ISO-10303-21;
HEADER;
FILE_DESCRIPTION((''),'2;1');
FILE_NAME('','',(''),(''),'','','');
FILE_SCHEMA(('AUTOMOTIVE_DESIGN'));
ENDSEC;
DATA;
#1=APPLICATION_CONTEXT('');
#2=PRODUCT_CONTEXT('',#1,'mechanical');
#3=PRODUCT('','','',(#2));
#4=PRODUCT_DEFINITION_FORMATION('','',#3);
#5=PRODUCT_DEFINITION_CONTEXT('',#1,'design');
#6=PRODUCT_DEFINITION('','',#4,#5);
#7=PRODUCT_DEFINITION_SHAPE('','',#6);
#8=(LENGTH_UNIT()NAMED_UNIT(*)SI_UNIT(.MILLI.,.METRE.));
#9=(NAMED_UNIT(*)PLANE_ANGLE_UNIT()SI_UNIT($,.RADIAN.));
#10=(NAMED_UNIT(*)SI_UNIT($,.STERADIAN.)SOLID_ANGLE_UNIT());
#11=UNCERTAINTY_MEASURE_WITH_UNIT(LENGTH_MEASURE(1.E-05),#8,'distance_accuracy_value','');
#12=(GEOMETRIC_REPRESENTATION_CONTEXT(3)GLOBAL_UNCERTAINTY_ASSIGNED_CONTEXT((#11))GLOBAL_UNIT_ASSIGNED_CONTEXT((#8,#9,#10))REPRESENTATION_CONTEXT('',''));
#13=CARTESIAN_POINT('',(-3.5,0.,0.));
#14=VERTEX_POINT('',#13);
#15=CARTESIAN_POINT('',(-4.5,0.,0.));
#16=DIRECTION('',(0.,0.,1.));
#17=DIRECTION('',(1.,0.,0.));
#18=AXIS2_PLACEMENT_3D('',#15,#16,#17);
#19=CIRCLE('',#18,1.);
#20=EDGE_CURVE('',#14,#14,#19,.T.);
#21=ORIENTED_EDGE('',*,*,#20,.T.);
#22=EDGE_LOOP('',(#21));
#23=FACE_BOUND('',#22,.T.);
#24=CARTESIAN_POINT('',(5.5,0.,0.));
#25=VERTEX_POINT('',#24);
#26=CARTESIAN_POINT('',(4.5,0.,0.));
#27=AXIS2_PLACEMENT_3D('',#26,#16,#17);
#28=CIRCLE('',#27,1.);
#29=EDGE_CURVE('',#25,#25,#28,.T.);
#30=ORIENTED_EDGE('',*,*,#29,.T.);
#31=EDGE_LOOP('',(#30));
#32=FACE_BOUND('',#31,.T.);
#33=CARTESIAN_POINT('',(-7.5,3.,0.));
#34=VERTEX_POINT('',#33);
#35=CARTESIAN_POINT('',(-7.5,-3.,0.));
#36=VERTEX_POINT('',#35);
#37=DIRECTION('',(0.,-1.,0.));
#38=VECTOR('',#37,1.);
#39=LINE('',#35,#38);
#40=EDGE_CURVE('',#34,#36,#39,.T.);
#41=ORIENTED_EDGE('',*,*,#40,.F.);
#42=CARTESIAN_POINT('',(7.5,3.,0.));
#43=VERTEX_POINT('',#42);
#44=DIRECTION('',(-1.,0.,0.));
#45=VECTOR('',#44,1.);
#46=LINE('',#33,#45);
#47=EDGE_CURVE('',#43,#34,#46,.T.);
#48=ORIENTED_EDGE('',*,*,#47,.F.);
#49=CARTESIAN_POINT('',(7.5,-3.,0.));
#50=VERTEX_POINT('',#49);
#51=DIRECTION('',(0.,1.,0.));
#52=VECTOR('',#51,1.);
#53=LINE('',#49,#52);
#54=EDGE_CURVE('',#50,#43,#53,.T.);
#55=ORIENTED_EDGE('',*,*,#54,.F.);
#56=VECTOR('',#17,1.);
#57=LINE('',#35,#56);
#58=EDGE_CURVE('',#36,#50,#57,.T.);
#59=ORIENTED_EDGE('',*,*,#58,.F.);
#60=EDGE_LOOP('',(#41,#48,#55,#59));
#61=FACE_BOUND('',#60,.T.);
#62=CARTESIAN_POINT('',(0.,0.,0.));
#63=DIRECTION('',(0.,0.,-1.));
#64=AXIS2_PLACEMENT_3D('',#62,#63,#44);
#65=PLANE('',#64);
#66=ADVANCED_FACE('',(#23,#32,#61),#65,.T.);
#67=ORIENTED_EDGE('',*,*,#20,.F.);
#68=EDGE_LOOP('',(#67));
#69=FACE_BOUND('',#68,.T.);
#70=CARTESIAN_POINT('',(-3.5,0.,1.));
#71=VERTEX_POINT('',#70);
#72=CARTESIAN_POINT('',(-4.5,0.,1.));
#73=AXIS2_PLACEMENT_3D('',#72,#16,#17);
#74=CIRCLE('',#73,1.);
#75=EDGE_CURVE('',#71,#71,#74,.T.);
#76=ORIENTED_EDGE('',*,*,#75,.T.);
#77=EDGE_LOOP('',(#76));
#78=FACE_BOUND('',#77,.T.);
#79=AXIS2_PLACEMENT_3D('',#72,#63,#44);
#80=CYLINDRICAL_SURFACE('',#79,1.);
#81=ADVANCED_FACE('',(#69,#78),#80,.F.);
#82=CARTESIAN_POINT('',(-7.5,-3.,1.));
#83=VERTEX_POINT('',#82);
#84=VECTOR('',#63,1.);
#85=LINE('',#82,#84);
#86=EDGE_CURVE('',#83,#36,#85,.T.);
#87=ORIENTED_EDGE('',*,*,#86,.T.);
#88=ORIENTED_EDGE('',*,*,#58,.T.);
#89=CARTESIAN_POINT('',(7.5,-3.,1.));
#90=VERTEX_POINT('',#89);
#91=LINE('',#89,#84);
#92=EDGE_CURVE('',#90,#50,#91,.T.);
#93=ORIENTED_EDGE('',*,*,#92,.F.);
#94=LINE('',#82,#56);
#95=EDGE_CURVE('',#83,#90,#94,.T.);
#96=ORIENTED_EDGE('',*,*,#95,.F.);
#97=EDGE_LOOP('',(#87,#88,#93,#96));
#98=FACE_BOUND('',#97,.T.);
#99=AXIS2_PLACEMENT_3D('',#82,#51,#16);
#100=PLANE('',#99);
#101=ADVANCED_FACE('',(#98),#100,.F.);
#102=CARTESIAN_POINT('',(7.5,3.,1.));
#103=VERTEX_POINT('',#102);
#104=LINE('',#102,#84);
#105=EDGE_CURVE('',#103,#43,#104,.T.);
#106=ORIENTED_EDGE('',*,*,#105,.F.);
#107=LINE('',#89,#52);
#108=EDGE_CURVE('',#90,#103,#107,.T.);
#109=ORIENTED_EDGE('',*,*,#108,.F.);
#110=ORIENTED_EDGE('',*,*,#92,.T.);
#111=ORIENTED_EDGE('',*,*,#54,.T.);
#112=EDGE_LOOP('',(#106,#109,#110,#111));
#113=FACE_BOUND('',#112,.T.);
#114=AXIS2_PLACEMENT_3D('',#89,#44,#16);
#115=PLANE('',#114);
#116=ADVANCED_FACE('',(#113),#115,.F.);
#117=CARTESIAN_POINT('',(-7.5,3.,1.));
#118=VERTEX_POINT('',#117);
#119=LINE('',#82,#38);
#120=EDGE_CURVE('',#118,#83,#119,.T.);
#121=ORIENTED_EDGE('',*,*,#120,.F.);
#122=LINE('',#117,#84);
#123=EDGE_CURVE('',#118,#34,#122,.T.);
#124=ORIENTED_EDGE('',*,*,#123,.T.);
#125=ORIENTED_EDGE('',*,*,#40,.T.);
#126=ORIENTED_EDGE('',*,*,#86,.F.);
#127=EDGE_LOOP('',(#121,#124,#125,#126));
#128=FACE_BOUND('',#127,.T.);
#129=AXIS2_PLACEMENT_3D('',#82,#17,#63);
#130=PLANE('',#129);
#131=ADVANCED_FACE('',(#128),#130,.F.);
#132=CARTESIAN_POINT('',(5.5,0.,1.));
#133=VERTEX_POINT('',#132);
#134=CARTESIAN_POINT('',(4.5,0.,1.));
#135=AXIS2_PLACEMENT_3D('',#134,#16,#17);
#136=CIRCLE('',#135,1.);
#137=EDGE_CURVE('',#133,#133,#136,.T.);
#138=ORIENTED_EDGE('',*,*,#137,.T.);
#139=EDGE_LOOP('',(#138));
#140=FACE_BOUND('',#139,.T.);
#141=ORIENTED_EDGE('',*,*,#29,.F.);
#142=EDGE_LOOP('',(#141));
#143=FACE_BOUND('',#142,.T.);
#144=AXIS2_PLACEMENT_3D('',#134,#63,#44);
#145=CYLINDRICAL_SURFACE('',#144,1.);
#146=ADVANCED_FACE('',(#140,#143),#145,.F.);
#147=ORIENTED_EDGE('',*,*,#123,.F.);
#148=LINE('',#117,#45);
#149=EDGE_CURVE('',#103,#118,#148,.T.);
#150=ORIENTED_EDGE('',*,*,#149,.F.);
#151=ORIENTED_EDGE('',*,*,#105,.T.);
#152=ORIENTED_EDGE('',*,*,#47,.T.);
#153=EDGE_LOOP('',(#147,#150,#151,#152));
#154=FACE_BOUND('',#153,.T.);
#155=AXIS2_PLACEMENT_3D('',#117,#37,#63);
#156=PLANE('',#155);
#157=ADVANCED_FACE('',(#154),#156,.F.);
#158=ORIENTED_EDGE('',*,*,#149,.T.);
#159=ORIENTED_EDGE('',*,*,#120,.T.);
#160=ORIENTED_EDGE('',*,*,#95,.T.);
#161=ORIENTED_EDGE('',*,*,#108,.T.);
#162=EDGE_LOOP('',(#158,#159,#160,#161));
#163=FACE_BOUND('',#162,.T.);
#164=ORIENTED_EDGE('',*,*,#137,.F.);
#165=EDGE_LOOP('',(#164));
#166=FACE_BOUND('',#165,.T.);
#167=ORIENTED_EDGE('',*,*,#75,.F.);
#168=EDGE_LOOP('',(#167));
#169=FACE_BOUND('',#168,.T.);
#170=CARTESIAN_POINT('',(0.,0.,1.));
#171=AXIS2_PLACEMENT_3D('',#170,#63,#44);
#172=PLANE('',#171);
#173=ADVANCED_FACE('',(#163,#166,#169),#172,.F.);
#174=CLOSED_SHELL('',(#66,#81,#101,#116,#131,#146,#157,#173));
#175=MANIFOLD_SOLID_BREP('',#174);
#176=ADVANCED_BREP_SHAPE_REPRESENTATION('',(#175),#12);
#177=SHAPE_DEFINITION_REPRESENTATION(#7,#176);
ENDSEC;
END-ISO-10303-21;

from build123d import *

# Parameters (mm, degrees)
SKETCH1_W           = 15
SKETCH1_H           = 6
SKETCH1_R           = 1
BOSS_EXTRUDE1_DEPTH = 1


with BuildPart() as part:
    # Sketch1 → Boss-Extrude1 (new body)
    with BuildSketch(Plane.XY):
        Rectangle(SKETCH1_W, SKETCH1_H)
        with Locations((4.5, 0)):
            Circle(SKETCH1_R, mode=Mode.SUBTRACT)
        with Locations((-4.5, 0)):
            Circle(SKETCH1_R, mode=Mode.SUBTRACT)
    extrude(amount=BOSS_EXTRUDE1_DEPTH)


solid = part.part
